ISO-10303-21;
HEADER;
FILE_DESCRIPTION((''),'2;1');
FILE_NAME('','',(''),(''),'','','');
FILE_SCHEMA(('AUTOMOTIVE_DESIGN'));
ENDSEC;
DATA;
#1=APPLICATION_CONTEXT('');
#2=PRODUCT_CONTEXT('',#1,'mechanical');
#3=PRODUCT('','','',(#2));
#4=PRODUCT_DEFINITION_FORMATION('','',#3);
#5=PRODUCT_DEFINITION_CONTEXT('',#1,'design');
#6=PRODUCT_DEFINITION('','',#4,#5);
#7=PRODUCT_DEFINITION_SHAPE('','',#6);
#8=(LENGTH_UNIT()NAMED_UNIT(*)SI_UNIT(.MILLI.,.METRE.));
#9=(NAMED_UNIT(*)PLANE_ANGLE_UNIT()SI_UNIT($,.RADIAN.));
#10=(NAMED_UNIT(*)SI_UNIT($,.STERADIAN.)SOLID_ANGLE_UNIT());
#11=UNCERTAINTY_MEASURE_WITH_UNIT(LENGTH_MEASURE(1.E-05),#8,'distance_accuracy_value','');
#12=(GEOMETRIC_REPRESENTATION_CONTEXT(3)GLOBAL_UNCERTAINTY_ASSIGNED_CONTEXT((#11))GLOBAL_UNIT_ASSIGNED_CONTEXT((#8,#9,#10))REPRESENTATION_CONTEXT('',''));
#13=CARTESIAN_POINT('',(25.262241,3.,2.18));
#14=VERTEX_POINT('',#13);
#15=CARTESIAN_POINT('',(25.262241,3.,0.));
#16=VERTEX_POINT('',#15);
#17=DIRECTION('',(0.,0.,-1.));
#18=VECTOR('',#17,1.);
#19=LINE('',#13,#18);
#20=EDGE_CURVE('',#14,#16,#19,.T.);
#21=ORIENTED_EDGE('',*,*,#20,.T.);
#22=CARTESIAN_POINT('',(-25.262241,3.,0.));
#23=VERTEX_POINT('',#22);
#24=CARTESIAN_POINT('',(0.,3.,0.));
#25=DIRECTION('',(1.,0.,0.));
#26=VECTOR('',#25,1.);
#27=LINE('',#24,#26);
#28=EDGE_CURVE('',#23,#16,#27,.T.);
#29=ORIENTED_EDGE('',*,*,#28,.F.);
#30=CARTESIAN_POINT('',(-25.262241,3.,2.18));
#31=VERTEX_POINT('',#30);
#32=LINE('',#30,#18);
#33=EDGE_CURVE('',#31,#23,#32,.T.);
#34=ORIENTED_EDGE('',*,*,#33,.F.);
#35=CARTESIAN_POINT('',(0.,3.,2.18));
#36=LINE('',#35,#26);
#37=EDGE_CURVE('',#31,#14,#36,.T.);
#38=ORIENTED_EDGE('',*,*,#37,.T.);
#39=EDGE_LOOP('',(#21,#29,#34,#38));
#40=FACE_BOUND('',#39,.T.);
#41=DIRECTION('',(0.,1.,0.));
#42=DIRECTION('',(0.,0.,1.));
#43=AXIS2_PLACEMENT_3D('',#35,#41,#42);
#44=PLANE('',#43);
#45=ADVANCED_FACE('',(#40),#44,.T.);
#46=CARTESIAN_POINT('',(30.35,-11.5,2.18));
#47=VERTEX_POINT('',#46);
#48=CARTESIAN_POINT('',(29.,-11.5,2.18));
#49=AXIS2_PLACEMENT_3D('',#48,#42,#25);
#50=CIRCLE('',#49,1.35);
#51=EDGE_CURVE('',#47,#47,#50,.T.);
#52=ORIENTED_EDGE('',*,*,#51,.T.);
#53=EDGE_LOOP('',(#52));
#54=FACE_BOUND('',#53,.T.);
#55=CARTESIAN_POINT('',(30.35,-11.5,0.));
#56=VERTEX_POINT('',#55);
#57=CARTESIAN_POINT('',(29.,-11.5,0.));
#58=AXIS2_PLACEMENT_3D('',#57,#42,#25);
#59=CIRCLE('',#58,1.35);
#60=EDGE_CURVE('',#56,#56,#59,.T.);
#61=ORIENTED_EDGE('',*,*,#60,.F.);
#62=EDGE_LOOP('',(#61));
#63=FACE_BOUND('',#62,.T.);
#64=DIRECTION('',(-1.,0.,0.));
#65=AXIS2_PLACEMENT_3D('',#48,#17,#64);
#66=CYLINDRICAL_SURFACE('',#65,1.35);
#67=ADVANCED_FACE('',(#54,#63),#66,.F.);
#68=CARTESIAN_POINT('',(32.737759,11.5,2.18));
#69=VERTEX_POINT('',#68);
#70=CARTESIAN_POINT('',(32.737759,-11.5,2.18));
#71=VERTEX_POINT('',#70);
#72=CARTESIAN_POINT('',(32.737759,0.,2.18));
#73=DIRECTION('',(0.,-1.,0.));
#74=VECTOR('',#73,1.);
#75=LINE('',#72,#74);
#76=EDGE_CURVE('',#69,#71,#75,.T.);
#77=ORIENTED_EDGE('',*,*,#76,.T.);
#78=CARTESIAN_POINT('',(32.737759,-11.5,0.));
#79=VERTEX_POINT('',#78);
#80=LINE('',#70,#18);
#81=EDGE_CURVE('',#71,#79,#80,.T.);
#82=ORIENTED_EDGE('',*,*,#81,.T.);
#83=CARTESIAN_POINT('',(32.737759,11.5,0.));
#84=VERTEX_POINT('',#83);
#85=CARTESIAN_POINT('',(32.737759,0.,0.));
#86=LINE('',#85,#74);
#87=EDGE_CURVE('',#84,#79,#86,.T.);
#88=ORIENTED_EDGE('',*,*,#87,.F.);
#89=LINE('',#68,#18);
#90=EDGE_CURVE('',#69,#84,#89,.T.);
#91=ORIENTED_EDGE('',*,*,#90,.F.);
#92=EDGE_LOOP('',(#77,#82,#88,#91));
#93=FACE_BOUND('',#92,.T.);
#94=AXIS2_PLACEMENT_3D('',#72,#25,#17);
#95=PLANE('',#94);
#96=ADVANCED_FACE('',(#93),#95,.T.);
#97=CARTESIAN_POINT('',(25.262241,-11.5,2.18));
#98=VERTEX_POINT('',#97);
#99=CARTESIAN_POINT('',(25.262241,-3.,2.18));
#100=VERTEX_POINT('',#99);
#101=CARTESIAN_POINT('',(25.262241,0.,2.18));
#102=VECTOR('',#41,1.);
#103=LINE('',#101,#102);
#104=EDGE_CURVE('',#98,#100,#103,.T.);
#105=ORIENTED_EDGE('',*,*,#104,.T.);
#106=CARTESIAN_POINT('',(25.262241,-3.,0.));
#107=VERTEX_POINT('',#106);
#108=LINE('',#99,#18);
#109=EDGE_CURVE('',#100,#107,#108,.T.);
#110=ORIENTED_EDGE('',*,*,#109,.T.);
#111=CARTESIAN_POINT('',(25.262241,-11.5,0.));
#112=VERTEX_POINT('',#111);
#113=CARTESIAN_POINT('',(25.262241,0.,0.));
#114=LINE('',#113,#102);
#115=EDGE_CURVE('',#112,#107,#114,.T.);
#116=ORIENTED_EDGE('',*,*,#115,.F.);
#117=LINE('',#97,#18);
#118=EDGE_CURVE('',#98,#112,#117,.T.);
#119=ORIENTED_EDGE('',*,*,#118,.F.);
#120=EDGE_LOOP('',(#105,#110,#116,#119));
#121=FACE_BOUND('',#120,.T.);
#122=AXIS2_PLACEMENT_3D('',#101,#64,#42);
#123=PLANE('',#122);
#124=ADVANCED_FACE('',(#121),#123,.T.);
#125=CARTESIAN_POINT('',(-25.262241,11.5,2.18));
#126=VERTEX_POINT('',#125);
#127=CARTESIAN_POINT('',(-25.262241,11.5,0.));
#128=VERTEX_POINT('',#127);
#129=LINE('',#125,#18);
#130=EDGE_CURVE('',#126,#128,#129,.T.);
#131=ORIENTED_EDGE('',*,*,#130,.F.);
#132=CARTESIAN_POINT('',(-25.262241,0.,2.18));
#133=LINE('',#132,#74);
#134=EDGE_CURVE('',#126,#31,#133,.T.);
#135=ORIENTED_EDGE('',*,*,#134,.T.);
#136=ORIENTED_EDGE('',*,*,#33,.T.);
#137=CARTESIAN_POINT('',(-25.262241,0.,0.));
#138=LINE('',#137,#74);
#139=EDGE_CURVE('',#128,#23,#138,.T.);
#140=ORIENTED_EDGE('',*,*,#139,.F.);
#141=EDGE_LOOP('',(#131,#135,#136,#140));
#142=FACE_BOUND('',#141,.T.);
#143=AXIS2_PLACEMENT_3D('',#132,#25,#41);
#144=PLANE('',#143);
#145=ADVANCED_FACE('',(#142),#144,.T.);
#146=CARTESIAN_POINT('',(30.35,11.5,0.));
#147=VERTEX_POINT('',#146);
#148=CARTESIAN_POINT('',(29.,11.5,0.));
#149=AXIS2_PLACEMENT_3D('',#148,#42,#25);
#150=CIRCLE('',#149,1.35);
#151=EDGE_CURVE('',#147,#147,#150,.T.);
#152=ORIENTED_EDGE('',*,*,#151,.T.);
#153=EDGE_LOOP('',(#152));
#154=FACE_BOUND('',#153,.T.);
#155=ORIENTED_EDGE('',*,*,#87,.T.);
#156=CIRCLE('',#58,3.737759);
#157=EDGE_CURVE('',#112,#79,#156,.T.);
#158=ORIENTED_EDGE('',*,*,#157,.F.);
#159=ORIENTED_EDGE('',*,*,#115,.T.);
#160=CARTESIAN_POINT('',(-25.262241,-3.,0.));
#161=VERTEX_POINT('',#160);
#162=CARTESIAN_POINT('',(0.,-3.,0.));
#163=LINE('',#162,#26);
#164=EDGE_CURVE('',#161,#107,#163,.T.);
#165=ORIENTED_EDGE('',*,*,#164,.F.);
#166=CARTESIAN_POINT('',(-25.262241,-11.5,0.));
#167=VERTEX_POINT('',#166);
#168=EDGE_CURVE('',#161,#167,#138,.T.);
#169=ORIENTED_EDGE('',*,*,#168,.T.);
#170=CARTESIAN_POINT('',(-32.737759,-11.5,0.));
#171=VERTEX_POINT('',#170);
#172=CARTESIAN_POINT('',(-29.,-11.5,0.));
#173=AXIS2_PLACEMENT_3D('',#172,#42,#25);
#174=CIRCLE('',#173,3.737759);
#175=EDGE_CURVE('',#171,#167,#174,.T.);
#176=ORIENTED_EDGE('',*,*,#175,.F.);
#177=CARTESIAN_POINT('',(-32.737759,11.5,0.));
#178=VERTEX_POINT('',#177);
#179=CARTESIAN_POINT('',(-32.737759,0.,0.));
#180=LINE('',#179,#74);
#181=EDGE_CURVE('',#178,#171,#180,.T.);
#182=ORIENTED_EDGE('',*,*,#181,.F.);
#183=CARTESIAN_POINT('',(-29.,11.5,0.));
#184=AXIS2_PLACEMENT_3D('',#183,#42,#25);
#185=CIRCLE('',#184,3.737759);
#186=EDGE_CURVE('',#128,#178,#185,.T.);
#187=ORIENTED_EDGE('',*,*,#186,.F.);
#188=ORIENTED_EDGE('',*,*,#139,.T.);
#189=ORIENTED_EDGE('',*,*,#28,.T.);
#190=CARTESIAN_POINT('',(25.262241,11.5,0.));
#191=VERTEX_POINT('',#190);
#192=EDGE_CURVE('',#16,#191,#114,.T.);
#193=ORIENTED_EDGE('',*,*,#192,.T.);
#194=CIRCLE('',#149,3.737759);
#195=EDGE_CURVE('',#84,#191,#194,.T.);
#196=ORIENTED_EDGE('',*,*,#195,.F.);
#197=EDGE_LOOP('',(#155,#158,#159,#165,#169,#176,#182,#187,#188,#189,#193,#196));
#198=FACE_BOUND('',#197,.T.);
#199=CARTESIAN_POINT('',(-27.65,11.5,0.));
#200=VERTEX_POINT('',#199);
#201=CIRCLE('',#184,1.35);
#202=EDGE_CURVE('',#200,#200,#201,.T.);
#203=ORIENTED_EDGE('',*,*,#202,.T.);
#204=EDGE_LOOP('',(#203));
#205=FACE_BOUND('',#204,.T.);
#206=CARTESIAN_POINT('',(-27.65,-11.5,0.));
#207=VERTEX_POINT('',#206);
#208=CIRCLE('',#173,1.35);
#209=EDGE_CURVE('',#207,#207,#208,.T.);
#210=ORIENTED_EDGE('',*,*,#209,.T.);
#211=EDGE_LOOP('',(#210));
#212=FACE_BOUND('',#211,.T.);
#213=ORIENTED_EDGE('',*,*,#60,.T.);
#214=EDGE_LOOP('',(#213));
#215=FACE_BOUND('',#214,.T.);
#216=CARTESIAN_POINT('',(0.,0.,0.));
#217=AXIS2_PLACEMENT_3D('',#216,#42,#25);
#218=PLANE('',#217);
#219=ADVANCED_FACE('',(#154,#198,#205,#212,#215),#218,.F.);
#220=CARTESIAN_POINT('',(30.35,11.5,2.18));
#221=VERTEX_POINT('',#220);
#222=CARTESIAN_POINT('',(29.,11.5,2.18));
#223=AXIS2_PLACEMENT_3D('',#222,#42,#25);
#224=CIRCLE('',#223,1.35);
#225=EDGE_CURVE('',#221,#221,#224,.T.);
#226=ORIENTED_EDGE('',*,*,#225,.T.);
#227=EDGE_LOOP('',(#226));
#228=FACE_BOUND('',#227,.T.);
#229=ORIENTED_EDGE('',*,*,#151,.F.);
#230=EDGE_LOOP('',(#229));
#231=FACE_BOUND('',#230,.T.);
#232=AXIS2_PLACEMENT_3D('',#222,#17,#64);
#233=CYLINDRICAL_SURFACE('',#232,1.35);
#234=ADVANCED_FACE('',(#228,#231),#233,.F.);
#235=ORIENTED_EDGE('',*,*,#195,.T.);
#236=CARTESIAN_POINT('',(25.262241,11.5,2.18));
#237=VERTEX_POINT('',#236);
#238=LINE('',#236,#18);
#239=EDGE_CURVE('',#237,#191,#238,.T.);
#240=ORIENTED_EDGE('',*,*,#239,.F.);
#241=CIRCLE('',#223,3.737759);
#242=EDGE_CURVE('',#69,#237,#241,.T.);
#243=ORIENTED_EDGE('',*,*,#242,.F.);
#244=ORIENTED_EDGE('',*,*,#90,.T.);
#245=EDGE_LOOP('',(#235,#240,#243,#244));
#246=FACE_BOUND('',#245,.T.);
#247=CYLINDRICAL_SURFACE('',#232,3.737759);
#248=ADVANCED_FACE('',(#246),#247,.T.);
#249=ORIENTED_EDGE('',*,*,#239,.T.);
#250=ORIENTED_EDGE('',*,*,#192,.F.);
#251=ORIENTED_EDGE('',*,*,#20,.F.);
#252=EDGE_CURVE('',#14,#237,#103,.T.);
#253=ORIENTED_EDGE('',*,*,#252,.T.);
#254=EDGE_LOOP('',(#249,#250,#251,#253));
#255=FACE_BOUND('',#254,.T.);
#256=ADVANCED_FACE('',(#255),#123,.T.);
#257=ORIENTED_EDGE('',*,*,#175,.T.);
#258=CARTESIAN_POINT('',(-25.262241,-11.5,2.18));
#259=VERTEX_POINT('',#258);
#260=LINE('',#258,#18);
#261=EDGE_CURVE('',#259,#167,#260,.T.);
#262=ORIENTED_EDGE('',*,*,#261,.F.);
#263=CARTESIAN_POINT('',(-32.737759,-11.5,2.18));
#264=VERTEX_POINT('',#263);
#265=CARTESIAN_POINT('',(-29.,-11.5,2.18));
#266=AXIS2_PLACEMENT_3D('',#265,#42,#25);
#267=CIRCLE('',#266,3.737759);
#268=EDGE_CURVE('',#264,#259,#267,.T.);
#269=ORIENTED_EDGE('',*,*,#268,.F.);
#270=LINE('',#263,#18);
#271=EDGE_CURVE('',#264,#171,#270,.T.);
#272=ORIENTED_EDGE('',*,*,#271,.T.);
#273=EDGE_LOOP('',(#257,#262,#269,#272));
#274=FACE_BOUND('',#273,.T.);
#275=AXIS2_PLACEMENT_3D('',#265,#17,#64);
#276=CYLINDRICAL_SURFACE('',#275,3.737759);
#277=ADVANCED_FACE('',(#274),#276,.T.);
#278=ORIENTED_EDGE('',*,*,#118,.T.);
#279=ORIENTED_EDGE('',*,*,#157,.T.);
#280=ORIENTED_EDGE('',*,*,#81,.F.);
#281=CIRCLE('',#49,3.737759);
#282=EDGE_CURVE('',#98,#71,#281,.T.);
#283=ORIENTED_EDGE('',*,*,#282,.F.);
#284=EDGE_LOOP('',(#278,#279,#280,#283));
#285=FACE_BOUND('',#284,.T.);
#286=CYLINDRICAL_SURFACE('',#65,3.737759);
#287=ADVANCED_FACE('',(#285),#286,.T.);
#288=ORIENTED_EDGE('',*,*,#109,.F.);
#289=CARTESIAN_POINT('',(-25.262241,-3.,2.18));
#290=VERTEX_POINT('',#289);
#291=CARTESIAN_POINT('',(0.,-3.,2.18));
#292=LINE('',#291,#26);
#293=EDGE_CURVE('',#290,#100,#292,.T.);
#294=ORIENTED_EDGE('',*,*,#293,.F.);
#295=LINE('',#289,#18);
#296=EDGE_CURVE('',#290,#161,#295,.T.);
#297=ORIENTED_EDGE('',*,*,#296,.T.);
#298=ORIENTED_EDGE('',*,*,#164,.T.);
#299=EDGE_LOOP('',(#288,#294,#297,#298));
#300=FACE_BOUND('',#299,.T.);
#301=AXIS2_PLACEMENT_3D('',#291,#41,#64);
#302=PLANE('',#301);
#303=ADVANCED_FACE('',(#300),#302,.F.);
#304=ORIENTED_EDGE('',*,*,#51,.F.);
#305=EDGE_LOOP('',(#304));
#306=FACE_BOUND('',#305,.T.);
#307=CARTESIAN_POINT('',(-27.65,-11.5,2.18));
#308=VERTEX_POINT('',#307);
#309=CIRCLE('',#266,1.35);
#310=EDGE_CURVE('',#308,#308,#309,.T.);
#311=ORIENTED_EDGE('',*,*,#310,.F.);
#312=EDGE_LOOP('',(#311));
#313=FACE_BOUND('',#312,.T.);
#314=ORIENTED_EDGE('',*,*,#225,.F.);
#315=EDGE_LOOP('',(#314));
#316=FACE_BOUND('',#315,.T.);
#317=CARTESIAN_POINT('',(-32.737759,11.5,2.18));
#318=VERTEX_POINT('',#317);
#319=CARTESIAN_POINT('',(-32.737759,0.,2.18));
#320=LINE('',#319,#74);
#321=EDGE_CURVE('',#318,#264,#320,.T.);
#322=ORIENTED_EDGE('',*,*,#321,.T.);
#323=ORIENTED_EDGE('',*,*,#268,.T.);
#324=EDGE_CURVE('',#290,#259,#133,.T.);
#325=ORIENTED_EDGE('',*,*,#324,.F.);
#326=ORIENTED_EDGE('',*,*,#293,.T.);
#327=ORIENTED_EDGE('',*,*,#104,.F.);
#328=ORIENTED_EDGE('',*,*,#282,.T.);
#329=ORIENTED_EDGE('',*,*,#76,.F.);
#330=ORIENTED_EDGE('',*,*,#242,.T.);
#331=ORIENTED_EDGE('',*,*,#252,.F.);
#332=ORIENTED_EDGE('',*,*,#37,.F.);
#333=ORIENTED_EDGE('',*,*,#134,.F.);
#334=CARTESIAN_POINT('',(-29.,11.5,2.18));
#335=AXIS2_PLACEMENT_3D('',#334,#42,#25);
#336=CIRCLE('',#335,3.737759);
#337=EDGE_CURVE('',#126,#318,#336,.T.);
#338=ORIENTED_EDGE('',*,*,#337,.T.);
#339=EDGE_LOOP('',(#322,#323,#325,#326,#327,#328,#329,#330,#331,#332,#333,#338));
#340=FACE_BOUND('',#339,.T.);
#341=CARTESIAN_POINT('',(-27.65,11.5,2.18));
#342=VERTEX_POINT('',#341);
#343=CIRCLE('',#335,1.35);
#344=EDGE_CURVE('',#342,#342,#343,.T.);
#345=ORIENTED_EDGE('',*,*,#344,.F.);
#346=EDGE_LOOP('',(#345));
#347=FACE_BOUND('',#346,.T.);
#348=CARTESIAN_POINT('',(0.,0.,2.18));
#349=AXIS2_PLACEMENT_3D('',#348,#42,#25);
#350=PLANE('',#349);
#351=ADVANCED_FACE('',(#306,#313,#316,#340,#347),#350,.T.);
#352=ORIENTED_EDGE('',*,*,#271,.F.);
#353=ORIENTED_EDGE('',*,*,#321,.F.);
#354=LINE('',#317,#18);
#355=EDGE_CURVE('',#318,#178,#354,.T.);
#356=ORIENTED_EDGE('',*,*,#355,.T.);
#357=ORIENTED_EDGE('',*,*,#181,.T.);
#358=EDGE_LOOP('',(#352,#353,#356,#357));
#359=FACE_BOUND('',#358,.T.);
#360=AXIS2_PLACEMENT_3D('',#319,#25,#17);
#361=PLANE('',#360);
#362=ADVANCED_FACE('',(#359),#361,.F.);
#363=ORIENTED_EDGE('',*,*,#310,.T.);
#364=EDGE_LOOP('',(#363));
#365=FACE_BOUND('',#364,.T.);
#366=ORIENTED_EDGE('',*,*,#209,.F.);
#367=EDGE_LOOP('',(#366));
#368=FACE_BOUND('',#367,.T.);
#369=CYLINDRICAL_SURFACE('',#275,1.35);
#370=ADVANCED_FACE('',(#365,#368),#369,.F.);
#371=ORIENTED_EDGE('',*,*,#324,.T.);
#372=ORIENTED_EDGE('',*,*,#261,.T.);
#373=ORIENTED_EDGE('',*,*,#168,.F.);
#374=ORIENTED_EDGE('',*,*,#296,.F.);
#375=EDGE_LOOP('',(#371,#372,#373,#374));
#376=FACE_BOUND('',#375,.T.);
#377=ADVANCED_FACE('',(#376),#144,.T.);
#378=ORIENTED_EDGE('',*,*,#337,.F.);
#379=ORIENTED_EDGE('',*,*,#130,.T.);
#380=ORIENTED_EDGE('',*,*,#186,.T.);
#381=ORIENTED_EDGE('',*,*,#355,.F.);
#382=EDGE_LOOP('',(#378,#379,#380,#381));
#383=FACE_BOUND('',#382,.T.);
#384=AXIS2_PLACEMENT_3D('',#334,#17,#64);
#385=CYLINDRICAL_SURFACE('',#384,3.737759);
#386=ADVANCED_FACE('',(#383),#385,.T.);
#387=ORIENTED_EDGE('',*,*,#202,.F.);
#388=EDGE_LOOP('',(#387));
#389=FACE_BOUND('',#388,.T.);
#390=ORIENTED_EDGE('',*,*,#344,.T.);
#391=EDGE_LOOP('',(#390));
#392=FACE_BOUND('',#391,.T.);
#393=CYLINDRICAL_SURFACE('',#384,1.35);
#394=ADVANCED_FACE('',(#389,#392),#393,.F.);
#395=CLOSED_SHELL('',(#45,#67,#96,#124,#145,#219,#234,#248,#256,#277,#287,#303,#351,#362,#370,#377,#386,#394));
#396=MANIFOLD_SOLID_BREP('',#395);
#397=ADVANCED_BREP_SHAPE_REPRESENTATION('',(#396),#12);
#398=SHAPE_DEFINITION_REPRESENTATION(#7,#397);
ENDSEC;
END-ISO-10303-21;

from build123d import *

# Parameters (mm, degrees)
SKETCH1_R           = 3.737759178
SKETCH1_W           = 50.524481644
SKETCH1_H           = 6
BOSS_EXTRUDE1_DEPTH = 2.18


with BuildPart() as part:
    # Sketch1 → Boss-Extrude1 (new body)
    # profile 1 of 7: a face of its own
    with BuildSketch(Plane.XY):
        with Locations((-29, 11.5)):
            Circle(SKETCH1_R)
        with BuildLine():
            ThreePointArc((-29, 10.15), (-27.65, 11.5), (-29, 12.85))
            ThreePointArc((-29, 12.85), (-30.35, 11.5), (-29, 10.15))
        make_face(mode=Mode.SUBTRACT)
    # profile 2 of 7: a face of its own
    with BuildSketch(Plane.XY):
        with BuildLine():
            Line((-25.262240822, 3), (-25.262240822, 11.5))
            ThreePointArc((-25.262240822, 11.5), (-29, 7.762240822), (-32.737759178, 11.5))
            Line((-32.737759178, 11.5), (-32.737759178, -11.5))
            ThreePointArc((-32.737759178, -11.5), (-29, -7.762240822), (-25.262240822, -11.5))
            Line((-25.262240822, -11.5), (-25.262240822, -3))
            Line((-25.262240822, -3), (-25.262240822, 3))
        make_face()
    # profile 3 of 7: a face of its own
    with BuildSketch(Plane.XY):
        with Locations((-29, -11.5)):
            Circle(SKETCH1_R)
        with BuildLine():
            ThreePointArc((-29, -10.15), (-30.35, -11.5), (-29, -12.85))
            ThreePointArc((-29, -12.85), (-27.65, -11.5), (-29, -10.15))
        make_face(mode=Mode.SUBTRACT)
    # profile 4 of 7: a face of its own
    with BuildSketch(Plane.XY):
        Rectangle(SKETCH1_W, SKETCH1_H)
    # profile 5 of 7: a face of its own
    with BuildSketch(Plane.XY):
        with BuildLine():
            Line((25.262240822, 11.5), (25.262240822, 3))
            Line((25.262240822, 3), (25.262240822, -3))
            Line((25.262240822, -3), (25.262240822, -11.5))
            ThreePointArc((25.262240822, -11.5), (29, -7.762240822), (32.737759178, -11.5))
            Line((32.737759178, -11.5), (32.737759178, 11.5))
            ThreePointArc((32.737759178, 11.5), (29, 7.762240822), (25.262240822, 11.5))
        make_face()
    # profile 6 of 7: a face of its own
    with BuildSketch(Plane.XY):
        with Locations((29, 11.5)):
            Circle(SKETCH1_R)
        with BuildLine():
            ThreePointArc((29, 10.15), (30.35, 11.5), (29, 12.85))
            ThreePointArc((29, 12.85), (27.65, 11.5), (29, 10.15))
        make_face(mode=Mode.SUBTRACT)
    # profile 7 of 7: a face of its own
    with BuildSketch(Plane.XY):
        with Locations((29, -11.5)):
            Circle(SKETCH1_R)
        with BuildLine():
            ThreePointArc((29, -12.85), (30.35, -11.5), (29, -10.15))
            ThreePointArc((29, -10.15), (27.65, -11.5), (29, -12.85))
        make_face(mode=Mode.SUBTRACT)
    extrude(amount=BOSS_EXTRUDE1_DEPTH)


solid = part.part
